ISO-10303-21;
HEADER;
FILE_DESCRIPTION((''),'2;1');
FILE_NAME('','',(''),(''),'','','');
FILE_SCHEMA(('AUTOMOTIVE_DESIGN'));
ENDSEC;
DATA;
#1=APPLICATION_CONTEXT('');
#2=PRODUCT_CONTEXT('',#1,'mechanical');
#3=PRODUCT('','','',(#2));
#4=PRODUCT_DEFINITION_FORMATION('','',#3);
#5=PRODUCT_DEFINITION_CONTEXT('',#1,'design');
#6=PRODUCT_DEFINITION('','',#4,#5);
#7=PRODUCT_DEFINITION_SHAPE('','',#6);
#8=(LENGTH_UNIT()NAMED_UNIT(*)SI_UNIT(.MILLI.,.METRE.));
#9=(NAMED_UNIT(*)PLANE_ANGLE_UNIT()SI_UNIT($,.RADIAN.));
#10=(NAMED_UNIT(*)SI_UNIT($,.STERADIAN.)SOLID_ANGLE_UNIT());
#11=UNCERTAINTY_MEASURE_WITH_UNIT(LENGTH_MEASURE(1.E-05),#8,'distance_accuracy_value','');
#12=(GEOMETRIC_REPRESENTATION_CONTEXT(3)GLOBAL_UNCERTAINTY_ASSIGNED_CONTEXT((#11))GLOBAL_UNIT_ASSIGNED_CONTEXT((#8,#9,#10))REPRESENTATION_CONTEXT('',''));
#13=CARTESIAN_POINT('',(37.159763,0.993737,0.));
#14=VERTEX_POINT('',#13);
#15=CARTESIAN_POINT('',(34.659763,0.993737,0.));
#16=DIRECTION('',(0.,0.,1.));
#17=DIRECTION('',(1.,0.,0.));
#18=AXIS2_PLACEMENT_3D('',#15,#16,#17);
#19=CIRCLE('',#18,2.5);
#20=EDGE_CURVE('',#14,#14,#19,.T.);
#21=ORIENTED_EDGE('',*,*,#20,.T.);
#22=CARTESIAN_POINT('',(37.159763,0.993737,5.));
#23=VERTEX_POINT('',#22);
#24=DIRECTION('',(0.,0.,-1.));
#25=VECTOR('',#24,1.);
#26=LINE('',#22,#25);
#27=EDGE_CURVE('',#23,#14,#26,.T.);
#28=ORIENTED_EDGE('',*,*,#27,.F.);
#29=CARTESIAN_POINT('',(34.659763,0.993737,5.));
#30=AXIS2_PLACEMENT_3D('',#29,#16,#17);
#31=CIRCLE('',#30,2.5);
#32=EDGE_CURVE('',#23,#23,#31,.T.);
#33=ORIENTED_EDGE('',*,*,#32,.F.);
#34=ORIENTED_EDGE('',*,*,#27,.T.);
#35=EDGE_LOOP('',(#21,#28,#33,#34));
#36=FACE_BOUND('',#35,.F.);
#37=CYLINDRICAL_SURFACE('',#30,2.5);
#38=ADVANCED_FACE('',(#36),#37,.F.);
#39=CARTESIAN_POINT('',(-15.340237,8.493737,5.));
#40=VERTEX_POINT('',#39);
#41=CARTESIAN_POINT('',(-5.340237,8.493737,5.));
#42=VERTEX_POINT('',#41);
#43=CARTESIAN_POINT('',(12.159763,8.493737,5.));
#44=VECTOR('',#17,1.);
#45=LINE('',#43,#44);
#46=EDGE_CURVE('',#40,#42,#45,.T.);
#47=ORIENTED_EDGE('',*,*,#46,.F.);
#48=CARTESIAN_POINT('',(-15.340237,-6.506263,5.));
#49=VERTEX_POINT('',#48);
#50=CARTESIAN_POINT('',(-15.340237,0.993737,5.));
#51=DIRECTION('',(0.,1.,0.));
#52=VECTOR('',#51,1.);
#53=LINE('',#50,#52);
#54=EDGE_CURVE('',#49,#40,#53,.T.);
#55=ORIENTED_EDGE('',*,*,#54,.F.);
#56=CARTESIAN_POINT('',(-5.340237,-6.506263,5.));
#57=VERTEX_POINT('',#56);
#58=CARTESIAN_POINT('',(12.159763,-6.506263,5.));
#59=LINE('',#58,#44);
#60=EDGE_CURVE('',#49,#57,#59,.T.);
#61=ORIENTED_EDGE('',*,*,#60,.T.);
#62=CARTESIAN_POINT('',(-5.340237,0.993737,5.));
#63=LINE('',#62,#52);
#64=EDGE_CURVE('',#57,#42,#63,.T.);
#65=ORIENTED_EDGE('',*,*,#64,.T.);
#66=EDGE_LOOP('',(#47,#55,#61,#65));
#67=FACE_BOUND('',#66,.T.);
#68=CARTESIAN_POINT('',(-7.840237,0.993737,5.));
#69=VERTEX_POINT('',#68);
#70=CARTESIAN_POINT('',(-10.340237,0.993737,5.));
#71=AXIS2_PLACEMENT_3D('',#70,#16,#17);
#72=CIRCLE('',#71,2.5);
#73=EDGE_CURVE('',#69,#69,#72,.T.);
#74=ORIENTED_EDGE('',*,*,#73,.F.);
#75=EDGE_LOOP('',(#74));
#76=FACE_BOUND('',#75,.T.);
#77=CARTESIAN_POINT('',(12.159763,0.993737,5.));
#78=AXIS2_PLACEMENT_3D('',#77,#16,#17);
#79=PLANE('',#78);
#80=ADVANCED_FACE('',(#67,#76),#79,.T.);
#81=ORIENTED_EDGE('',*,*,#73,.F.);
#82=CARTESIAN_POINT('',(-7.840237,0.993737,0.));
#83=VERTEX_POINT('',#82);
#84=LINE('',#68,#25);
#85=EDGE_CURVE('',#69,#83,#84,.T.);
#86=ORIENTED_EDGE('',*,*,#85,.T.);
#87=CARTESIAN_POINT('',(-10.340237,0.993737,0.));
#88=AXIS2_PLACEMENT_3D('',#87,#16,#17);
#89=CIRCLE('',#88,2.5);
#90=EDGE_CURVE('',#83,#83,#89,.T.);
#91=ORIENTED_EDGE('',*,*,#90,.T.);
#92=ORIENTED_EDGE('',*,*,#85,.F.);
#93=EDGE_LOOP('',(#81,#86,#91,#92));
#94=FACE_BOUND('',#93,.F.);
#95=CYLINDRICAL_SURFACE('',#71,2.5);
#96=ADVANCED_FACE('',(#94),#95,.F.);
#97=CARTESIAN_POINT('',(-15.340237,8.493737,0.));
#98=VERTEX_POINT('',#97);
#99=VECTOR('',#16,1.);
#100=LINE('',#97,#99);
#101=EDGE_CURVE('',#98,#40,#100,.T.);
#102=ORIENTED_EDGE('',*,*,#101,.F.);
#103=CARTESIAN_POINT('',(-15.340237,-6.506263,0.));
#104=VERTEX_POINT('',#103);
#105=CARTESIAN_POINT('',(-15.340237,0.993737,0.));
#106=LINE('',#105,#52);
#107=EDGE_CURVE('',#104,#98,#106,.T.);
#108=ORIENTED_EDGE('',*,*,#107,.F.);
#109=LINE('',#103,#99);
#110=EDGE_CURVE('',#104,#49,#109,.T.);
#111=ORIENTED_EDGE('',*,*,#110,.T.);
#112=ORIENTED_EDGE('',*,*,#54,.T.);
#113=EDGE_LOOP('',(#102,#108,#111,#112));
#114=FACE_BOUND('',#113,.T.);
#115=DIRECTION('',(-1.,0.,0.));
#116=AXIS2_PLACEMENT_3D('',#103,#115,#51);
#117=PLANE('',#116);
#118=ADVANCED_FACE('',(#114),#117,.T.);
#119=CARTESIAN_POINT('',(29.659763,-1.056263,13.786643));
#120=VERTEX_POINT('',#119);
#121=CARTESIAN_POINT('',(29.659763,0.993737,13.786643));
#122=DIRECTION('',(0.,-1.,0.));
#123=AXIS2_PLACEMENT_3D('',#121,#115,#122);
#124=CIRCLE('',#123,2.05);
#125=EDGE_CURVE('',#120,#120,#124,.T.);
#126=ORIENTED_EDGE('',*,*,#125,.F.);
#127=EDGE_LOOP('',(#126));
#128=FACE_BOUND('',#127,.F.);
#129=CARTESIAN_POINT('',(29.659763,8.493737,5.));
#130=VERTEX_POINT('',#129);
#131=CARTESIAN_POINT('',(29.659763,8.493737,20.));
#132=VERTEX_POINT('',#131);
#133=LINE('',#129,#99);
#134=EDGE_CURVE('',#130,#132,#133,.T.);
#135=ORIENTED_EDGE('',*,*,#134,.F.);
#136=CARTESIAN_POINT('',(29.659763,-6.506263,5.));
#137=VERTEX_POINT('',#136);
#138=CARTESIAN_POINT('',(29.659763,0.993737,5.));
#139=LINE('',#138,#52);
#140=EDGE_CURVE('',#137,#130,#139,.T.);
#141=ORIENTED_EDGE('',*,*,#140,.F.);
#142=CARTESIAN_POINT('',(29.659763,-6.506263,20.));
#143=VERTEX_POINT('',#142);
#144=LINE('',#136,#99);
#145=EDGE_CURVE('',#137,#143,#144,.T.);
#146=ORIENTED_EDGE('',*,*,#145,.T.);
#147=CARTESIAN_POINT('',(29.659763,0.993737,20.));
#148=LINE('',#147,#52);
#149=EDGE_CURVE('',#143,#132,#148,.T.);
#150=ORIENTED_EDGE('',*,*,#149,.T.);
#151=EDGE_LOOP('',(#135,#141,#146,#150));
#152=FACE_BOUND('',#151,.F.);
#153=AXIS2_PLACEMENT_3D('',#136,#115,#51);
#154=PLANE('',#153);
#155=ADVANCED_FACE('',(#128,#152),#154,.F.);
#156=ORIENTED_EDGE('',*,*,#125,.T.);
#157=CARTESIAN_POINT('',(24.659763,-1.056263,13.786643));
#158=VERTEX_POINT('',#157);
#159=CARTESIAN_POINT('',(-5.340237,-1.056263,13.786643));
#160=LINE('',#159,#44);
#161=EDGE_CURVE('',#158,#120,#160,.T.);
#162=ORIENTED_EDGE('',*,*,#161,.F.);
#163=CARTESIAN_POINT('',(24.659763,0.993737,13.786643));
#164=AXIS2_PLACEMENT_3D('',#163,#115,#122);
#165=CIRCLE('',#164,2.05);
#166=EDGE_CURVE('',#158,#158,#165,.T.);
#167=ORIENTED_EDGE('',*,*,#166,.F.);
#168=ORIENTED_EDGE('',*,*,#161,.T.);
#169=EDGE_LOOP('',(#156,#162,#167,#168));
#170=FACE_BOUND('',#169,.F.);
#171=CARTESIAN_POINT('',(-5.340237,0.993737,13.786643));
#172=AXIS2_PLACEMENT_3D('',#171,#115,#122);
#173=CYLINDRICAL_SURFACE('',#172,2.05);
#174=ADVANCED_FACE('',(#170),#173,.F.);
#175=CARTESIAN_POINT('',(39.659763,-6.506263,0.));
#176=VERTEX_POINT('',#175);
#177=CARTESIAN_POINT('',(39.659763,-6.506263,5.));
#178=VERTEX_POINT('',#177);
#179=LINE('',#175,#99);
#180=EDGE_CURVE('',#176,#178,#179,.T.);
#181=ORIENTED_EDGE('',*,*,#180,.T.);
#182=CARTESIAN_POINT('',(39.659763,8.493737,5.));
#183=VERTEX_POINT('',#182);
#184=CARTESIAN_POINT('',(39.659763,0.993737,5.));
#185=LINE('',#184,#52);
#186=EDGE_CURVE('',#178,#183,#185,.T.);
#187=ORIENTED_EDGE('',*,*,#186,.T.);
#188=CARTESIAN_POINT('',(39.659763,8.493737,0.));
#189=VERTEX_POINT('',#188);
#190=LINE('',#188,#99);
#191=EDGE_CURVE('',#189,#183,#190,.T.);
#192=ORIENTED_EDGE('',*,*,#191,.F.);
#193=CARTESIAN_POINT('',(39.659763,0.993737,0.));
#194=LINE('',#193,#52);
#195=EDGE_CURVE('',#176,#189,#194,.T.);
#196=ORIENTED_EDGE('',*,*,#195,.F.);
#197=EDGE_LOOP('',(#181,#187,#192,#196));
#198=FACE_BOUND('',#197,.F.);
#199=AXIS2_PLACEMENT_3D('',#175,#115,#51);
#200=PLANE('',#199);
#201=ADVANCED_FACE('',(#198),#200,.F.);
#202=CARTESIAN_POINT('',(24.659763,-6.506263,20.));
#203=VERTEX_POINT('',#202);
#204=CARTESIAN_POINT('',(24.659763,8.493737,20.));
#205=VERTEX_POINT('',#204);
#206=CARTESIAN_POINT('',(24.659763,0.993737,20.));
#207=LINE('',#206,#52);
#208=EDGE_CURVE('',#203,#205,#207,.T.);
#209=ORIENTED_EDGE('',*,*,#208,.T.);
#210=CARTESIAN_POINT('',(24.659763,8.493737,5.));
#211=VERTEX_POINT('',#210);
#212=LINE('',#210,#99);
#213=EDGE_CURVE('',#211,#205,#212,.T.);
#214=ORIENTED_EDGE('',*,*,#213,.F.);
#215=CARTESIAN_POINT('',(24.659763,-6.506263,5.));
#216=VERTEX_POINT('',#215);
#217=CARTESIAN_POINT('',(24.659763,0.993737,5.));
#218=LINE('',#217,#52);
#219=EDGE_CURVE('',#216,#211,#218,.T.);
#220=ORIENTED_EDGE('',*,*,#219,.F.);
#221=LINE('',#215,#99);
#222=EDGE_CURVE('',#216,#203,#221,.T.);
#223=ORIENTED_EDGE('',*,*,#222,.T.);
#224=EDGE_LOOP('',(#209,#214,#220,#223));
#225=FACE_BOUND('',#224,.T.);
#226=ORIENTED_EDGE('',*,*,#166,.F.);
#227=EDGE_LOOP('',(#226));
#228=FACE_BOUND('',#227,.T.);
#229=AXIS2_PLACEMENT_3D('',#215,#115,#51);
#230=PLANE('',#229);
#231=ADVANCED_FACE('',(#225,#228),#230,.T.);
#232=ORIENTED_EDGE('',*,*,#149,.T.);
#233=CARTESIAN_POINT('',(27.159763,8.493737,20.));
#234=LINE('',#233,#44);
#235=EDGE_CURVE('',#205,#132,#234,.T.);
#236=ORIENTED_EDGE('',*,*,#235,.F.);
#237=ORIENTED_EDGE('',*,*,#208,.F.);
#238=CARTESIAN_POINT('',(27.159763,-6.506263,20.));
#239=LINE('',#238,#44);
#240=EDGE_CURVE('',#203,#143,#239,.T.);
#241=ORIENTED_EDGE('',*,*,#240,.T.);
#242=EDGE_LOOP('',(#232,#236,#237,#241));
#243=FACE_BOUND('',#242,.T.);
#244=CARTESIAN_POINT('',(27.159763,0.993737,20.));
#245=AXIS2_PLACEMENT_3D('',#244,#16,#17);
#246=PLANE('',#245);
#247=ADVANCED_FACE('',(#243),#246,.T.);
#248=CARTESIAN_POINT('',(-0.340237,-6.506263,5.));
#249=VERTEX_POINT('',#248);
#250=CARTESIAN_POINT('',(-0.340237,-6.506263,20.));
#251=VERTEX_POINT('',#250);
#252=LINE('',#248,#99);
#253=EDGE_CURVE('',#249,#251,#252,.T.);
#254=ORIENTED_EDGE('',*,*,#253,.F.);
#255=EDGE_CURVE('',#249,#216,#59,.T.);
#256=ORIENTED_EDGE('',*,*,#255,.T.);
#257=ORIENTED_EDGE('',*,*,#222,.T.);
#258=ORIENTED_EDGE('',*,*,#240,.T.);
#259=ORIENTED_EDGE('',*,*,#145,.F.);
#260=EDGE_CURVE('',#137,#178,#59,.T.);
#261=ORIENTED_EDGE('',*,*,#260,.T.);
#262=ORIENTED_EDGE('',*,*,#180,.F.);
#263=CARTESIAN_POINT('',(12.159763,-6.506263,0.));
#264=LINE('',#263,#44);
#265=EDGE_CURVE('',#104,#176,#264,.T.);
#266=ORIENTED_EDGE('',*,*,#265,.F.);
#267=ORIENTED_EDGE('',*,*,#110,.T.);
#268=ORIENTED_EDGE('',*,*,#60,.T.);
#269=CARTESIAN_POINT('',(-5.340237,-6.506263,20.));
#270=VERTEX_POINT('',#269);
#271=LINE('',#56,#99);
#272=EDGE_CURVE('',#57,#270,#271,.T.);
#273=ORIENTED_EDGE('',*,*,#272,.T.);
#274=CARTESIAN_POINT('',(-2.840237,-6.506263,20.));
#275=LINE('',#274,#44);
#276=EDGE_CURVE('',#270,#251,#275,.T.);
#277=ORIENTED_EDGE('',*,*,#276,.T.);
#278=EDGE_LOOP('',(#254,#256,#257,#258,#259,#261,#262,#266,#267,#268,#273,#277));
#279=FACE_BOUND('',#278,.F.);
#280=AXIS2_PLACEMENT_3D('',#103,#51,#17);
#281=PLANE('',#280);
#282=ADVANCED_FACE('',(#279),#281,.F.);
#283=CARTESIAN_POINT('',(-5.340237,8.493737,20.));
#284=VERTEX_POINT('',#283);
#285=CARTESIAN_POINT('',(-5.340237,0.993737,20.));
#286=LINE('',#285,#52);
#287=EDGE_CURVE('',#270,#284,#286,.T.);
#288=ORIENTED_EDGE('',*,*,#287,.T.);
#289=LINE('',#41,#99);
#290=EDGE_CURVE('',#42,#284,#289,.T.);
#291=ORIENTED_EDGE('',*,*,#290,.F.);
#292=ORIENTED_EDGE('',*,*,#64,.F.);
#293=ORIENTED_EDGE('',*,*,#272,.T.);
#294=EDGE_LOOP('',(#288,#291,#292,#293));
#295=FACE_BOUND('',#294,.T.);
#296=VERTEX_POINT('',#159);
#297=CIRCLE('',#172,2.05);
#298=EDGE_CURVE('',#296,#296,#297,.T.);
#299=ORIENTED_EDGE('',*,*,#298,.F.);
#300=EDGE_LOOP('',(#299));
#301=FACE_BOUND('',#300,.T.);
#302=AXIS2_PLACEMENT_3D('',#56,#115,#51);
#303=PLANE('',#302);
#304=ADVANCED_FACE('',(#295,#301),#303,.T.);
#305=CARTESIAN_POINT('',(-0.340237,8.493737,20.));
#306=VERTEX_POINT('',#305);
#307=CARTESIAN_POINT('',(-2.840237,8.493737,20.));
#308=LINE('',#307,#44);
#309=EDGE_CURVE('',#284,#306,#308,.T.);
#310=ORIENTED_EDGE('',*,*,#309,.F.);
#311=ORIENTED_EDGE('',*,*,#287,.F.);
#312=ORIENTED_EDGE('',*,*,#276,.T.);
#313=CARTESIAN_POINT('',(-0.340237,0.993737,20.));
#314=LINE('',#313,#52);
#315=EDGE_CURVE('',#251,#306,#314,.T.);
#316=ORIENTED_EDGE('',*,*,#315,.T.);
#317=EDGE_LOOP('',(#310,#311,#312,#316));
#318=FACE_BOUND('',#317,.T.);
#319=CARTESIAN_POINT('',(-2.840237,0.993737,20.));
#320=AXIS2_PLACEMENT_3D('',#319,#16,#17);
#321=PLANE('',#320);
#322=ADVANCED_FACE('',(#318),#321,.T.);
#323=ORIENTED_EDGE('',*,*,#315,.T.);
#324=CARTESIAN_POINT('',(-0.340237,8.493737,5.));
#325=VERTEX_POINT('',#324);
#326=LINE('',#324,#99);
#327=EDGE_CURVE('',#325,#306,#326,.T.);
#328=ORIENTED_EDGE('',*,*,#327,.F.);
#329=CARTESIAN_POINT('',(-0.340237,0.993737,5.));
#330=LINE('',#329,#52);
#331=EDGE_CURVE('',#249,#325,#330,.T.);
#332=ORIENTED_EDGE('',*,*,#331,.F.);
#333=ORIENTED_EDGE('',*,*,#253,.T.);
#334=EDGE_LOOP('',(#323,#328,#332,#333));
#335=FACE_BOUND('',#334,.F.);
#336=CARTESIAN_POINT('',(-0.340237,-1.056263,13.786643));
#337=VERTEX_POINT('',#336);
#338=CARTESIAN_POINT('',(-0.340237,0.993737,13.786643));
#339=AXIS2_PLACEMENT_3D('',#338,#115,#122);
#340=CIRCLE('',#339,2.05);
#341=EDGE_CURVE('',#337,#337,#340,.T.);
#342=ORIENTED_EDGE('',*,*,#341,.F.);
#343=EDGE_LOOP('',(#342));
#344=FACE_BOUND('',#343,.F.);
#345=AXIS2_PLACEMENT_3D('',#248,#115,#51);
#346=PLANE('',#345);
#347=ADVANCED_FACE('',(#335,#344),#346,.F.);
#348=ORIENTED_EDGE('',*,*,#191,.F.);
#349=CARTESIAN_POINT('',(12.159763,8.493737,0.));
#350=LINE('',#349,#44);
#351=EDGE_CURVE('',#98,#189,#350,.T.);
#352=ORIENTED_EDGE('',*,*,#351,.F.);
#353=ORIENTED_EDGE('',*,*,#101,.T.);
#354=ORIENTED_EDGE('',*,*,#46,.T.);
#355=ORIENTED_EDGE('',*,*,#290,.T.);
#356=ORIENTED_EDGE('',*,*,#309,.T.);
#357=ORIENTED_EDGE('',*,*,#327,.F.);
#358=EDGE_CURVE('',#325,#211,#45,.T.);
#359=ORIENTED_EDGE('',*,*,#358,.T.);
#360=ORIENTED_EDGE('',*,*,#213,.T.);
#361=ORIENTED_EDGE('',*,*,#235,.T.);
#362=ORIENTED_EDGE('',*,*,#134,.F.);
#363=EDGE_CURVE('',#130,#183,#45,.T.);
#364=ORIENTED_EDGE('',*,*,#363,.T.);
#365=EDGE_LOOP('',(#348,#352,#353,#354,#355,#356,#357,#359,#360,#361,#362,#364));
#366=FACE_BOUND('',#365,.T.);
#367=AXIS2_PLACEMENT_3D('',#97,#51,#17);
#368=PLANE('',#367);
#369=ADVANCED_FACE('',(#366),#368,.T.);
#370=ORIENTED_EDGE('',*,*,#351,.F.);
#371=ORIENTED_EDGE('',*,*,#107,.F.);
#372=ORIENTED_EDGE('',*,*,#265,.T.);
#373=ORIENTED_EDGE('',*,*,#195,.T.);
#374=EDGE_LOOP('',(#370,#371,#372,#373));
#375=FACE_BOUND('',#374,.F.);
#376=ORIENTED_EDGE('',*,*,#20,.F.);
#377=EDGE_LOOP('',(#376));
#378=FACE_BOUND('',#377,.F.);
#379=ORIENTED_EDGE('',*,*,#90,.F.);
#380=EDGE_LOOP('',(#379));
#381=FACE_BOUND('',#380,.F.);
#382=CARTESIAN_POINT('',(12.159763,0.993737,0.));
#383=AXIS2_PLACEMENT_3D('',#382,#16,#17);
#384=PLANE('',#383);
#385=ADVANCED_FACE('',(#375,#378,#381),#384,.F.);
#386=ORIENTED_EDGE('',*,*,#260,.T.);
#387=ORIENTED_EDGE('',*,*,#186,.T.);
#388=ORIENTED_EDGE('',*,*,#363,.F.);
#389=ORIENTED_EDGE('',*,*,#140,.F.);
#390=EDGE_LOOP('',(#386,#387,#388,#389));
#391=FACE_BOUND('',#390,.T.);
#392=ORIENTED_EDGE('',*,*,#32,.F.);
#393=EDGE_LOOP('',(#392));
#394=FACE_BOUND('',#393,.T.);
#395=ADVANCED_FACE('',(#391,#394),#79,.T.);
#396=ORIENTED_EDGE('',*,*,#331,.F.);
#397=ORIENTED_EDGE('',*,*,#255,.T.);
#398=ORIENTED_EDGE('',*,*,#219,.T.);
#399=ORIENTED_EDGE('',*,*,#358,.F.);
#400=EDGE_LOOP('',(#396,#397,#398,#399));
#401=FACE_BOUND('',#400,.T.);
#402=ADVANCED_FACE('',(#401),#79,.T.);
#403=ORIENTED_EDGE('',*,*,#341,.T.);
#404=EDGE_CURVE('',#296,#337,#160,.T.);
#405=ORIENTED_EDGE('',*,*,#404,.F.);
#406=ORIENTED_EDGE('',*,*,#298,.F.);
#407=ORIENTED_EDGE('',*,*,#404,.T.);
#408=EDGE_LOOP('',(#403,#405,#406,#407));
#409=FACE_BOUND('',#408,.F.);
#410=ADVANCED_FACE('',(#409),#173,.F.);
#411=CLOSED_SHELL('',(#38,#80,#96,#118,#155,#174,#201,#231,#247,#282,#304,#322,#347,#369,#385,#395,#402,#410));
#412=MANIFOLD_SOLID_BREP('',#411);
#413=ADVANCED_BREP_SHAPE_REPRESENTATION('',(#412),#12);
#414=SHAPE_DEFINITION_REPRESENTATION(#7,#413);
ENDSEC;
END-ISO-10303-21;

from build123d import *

# Parameters (mm, degrees)
F0_W     = 55
F0_H     = 15
F1_DEPTH = 5
F2_W     = 5
F2_H     = 15
F3_DEPTH = 15
F4_R     = 2.5
F5_DEPTH = 25
F6_R     = 2.5
F7_DEPTH = 25
F8_R     = 2.05
F9_DEPTH = 45.001


with BuildPart() as f1:
    # F0 (on Top) → F1 (new body)
    with BuildSketch(Plane.XY):
        with Locations((12.159763, 0.993737)):
            Rectangle(F0_W, F0_H)
    extrude(amount=F1_DEPTH)

    # F2 (on face) → F3 (join)
    with BuildSketch(Plane.XY.offset(5)):
        with Locations((-2.840237, 0.993737)):
            Rectangle(F2_W, F2_H)
        with Locations((27.159763, 0.993737)):
            Rectangle(F2_W, F2_H)
    extrude(amount=F3_DEPTH)

    # F4 (on face) → F5 (cut)
    with BuildSketch(Plane.XY.offset(5)):
        with Locations((-10.340237, 0.993737)):
            Circle(F4_R)
    extrude(amount=-F5_DEPTH, mode=Mode.SUBTRACT)

    # F6 (on face) → F7 (cut)
    with BuildSketch(Plane.XY.offset(5)):
        with Locations((34.659763, 0.993737)):
            Circle(F6_R)
    extrude(amount=-F7_DEPTH, mode=Mode.SUBTRACT)

    # F8 (on face) → F9 (cut, through all)
    with BuildSketch(Plane(origin=(-5.340237, 0, 0), x_dir=(0, -1, 0), z_dir=(-1, 0, 0))):
        with Locations((-0.993737, 13.786643)):
            Circle(F8_R)
    extrude(amount=-F9_DEPTH, mode=Mode.SUBTRACT)


solid = f1.part
